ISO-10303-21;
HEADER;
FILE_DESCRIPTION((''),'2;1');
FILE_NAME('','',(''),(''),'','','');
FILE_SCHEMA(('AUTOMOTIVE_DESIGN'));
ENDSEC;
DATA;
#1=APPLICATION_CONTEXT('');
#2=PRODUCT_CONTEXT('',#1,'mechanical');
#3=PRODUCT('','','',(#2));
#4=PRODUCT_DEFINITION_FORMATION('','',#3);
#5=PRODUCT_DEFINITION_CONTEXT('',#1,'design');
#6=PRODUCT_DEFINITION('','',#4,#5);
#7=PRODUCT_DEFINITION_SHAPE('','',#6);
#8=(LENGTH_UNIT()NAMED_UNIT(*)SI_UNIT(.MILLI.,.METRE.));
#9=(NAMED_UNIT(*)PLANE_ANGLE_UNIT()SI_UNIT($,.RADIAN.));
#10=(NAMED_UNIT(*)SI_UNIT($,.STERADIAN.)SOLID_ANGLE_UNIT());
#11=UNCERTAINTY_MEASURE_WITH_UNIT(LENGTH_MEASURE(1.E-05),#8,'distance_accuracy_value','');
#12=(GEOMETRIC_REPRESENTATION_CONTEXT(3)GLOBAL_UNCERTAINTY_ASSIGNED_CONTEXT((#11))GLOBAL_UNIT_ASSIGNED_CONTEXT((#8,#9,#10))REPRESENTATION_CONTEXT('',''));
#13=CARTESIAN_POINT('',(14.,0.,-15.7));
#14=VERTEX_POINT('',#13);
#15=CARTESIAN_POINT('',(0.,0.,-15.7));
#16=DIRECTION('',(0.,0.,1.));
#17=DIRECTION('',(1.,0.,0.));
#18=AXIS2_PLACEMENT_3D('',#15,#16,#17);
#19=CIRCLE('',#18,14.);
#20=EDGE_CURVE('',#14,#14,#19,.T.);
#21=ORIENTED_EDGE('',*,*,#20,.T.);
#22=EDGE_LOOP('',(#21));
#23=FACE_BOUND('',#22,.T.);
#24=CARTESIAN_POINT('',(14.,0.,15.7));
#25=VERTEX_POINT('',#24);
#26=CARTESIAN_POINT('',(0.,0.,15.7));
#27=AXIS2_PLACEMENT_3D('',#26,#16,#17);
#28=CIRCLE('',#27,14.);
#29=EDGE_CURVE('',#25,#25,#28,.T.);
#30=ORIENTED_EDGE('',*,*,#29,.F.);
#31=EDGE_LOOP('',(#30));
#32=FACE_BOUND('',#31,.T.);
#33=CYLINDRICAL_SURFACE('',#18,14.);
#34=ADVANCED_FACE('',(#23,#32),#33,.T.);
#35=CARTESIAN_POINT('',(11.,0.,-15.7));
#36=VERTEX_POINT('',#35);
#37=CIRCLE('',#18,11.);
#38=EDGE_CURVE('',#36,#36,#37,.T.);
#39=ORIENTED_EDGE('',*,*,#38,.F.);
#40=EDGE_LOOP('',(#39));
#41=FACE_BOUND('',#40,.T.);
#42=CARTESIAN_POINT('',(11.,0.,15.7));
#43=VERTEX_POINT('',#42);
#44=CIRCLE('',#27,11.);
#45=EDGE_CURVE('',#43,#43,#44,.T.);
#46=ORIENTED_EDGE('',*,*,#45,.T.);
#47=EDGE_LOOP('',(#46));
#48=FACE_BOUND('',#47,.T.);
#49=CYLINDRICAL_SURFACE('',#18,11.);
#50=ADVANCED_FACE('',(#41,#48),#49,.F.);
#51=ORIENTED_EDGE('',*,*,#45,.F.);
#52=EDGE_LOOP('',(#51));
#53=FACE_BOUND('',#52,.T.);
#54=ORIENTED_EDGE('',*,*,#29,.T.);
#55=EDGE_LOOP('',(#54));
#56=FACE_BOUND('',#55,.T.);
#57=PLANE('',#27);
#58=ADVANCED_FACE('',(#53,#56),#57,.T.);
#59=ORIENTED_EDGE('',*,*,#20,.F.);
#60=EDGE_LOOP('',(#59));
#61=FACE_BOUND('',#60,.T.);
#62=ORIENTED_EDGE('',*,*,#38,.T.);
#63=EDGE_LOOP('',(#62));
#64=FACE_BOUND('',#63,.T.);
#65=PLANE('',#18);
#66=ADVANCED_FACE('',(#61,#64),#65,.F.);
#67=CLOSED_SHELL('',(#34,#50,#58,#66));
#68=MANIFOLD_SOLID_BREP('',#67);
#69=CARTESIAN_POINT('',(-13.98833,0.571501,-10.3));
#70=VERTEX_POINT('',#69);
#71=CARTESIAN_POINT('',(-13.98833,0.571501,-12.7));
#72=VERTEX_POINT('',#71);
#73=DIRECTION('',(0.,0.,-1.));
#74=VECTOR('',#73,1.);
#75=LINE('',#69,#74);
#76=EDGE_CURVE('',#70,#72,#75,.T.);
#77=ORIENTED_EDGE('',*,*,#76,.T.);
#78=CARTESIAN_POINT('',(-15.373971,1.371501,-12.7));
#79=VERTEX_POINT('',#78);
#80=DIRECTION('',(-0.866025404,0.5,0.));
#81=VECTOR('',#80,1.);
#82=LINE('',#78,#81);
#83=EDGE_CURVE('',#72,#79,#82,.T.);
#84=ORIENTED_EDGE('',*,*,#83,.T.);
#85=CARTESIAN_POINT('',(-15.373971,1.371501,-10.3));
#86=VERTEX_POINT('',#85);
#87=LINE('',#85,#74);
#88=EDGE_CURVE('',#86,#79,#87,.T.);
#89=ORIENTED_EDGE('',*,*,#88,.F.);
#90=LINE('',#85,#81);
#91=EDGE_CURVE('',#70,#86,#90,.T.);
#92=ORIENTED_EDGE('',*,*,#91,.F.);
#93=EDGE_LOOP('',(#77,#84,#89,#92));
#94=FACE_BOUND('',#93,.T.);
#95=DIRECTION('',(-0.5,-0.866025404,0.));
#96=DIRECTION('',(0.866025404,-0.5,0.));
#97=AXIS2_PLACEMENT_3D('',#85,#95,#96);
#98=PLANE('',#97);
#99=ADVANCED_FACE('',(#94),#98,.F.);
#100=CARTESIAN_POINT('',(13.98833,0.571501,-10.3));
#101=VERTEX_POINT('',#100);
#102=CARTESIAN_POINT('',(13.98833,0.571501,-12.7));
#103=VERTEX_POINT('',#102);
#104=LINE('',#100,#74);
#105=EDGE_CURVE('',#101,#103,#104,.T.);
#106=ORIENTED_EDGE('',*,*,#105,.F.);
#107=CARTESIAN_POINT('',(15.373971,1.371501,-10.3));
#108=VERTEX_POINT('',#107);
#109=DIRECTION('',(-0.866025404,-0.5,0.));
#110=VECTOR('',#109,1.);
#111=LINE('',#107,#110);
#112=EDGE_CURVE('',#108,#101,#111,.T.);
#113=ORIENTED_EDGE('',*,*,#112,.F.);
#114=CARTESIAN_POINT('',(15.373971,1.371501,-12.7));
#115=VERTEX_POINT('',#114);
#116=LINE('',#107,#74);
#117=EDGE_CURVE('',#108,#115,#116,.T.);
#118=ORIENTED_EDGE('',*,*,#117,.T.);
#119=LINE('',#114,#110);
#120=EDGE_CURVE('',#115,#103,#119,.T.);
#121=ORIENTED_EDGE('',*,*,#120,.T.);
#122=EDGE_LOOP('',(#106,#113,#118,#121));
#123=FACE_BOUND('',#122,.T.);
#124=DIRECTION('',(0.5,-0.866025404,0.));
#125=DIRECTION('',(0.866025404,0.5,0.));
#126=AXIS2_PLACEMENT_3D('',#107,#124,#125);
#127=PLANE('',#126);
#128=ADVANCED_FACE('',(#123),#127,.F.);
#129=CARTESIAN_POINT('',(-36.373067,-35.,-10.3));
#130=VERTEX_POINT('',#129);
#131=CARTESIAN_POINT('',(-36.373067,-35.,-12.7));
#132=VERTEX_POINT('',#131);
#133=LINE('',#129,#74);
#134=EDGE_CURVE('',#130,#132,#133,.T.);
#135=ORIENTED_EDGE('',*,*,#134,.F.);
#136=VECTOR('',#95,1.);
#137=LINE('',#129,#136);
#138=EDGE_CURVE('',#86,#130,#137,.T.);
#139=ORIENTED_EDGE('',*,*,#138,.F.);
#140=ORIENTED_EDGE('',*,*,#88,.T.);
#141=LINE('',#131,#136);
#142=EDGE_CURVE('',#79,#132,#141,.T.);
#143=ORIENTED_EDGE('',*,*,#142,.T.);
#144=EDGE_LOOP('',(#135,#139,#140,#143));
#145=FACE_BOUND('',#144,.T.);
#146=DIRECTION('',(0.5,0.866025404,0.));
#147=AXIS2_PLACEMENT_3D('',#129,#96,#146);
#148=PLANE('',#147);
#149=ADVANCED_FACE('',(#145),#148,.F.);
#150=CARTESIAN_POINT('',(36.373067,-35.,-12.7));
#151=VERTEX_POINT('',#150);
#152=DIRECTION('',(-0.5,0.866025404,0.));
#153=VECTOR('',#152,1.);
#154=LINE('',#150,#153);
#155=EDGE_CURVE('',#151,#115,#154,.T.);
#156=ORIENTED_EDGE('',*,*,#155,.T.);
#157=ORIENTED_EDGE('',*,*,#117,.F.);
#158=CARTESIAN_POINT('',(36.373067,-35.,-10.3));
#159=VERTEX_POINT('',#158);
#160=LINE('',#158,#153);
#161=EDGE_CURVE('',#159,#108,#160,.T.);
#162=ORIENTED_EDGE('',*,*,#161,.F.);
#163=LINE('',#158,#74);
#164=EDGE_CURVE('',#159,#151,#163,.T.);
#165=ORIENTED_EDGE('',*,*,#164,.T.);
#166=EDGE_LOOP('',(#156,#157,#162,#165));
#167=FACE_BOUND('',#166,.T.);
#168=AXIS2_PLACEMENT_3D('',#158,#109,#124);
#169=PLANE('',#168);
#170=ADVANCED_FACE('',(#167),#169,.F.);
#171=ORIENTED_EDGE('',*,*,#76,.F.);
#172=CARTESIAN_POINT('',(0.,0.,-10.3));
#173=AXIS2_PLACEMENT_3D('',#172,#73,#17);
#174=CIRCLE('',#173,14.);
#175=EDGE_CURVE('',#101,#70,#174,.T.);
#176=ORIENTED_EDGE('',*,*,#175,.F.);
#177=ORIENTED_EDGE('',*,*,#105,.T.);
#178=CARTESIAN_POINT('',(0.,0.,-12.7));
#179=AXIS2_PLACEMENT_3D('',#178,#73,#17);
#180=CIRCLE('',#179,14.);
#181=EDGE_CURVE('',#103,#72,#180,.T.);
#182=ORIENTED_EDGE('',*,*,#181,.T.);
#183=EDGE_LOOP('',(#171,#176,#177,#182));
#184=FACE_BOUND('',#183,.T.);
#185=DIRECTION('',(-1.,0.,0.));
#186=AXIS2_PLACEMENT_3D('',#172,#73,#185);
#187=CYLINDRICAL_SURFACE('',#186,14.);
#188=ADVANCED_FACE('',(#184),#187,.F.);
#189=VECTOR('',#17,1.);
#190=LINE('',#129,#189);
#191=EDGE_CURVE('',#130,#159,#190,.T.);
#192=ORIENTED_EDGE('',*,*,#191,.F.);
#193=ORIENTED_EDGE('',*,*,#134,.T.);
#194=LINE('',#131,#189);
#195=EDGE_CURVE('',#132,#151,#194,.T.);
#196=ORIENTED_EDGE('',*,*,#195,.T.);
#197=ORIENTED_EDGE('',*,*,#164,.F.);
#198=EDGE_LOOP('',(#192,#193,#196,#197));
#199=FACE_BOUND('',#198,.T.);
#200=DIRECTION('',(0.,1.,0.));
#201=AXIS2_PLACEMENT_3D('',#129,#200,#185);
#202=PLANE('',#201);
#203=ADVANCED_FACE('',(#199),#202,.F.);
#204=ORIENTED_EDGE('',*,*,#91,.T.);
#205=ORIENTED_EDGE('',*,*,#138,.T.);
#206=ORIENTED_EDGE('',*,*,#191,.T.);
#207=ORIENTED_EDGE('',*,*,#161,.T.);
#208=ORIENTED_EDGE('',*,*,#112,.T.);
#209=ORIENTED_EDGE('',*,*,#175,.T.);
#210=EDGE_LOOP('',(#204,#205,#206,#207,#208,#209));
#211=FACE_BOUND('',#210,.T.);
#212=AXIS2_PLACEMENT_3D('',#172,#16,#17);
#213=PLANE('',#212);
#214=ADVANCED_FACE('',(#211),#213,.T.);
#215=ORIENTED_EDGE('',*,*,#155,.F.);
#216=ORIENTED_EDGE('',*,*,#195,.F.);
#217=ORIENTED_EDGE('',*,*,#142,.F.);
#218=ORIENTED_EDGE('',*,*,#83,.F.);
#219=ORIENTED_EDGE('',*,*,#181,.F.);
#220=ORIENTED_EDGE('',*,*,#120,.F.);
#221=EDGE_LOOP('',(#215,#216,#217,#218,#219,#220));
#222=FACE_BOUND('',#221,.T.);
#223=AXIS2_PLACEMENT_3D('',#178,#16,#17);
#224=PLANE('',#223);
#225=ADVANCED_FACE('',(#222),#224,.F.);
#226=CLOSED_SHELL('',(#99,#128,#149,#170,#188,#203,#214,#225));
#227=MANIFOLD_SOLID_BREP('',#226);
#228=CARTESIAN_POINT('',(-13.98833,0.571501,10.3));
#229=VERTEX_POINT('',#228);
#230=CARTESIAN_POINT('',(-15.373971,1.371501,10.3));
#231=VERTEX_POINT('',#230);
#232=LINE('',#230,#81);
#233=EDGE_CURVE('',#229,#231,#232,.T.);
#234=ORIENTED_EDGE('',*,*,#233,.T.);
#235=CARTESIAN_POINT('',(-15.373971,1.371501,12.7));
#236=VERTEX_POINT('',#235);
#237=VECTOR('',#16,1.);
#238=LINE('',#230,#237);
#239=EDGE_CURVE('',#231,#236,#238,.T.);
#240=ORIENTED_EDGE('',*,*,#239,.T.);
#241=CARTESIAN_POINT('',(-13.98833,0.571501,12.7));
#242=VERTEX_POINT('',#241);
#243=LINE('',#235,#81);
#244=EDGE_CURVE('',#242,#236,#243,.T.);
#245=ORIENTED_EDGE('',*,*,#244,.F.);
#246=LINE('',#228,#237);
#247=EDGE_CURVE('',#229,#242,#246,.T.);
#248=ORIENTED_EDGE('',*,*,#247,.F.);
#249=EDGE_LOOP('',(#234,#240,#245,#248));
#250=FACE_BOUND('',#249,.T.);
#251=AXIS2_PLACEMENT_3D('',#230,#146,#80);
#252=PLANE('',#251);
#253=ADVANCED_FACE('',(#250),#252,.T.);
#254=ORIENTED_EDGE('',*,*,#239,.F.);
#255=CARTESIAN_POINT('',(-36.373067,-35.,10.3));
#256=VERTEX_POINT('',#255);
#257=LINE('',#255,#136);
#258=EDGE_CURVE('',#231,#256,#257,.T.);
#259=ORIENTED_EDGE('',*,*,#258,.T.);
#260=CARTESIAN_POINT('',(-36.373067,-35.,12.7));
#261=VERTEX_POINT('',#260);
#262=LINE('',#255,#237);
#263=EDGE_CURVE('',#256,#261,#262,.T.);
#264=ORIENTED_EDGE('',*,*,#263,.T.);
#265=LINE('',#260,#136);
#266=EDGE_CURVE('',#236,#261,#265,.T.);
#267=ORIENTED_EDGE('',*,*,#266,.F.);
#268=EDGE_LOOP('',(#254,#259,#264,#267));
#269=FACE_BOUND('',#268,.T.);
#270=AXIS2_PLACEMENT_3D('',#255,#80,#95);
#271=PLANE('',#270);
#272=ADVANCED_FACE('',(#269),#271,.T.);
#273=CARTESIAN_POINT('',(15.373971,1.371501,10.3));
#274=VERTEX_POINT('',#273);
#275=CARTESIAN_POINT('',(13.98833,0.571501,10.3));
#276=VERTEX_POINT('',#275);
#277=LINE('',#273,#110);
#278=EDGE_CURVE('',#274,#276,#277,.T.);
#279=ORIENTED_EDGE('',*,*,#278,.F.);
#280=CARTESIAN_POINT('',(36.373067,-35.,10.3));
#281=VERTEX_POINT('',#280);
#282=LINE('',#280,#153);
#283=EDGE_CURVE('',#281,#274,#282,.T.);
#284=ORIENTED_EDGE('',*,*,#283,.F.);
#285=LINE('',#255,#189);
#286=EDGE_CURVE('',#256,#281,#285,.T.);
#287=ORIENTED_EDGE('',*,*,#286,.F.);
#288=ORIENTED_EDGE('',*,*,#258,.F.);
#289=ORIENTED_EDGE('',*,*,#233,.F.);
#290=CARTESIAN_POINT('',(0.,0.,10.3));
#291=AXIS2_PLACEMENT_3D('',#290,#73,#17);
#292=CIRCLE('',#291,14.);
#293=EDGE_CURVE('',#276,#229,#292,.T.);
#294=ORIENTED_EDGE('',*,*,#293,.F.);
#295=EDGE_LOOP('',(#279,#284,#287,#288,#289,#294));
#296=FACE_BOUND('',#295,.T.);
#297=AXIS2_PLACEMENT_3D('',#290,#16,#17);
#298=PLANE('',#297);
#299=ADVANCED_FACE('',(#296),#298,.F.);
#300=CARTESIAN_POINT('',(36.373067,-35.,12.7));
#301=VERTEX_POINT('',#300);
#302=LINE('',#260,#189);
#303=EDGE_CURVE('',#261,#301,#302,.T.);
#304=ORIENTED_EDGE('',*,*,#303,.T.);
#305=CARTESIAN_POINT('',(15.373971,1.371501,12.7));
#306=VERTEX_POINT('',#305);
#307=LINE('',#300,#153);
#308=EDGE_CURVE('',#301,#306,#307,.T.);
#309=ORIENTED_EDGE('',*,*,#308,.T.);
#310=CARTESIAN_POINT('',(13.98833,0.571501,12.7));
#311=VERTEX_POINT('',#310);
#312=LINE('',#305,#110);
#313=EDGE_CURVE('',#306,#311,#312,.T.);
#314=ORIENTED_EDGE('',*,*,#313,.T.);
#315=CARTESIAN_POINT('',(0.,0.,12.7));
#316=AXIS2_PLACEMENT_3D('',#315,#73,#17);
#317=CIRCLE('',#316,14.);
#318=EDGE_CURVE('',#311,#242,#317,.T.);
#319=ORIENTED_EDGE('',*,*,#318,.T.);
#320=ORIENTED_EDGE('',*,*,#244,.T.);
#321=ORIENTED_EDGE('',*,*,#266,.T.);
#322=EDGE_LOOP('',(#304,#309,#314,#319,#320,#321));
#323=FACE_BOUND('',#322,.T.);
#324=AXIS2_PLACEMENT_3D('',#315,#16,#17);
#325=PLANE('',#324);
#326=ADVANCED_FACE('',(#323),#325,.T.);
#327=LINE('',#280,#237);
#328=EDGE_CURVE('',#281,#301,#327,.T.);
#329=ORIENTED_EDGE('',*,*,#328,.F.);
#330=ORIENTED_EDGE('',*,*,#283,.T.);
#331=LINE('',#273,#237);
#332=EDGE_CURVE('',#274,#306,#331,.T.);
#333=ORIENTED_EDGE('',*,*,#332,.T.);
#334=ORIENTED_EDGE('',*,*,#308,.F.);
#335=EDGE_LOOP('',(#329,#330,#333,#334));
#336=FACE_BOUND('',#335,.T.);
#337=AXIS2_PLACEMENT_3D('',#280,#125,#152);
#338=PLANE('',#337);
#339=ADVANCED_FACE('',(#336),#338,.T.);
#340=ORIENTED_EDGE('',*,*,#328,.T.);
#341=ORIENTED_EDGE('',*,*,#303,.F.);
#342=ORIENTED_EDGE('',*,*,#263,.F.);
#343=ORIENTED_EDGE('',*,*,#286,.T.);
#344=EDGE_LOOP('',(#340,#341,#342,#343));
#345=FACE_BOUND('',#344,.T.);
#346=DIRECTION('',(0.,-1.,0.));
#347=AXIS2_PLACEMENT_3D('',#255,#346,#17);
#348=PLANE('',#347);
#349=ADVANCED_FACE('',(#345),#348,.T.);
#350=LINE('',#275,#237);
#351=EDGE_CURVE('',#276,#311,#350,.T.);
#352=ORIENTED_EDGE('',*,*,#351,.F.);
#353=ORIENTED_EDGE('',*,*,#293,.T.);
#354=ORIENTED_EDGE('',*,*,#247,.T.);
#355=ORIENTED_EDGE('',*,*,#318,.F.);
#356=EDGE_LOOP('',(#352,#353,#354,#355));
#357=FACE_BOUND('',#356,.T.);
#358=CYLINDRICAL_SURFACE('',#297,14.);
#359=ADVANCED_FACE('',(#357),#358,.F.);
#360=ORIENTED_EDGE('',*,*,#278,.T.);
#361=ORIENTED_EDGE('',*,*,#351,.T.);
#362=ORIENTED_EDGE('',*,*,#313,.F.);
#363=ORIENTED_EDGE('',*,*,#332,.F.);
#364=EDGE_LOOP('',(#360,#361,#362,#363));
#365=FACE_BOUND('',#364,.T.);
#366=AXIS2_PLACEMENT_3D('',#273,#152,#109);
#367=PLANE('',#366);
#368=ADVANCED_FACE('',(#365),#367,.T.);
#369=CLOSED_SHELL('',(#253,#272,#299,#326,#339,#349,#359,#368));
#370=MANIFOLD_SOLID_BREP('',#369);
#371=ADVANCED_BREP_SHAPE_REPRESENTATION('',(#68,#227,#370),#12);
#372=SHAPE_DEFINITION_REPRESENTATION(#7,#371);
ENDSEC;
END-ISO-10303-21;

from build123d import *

# Parameters (mm, degrees)
SKETCH1_R                = 14
SKETCH1_R_2              = 11
BOSS_EXTRUDE1_DEPTH      = 15.7
BOSS_EXTRUDE1_DEPTH_BACK = 15.7
BOSS_EXTRUDE3_START      = 12.7
BOSS_EXTRUDE3_DEPTH      = 2.4
BOSS_EXTRUDE4_START      = -12.7
BOSS_EXTRUDE4_DEPTH      = 2.4


with BuildPart() as part:
    # Sketch1 → Boss-Extrude1 (new body, two sides)
    with BuildSketch(Plane.XY) as boss_extrude1_sk:
        Circle(SKETCH1_R)
        Circle(SKETCH1_R_2, mode=Mode.SUBTRACT)
    extrude(amount=BOSS_EXTRUDE1_DEPTH)
    extrude(boss_extrude1_sk.sketch, amount=-BOSS_EXTRUDE1_DEPTH_BACK)


with BuildPart() as body_2:
    # Sketch2 → Boss-Extrude3 (new body)
    with BuildSketch(Plane.XY.offset(BOSS_EXTRUDE3_START)):
        with BuildLine():
            Line((-36.373066959, -35), (36.373066959, -35))
            Line((36.373066959, -35), (15.373971015, 1.371501088))
            Line((15.373971015, 1.371501088), (13.988330369, 0.571501088))
            ThreePointArc((13.988330369, 0.571501088), (0, -14), (-13.988330369, 0.571501088))
            Line((-13.988330369, 0.571501088), (-15.373971015, 1.371501088))
            Line((-15.373971015, 1.371501088), (-36.373066959, -35))
        make_face()
    extrude(amount=-BOSS_EXTRUDE3_DEPTH)


with BuildPart() as body_3:
    # Sketch2_2 → Boss-Extrude4 (new body)
    with BuildSketch(Plane.XY.offset(BOSS_EXTRUDE4_START)):
        with BuildLine():
            Line((-36.373066959, -35), (36.373066959, -35))
            Line((36.373066959, -35), (15.373971015, 1.371501088))
            Line((15.373971015, 1.371501088), (13.988330369, 0.571501088))
            ThreePointArc((13.988330369, 0.571501088), (0, -14), (-13.988330369, 0.571501088))
            Line((-13.988330369, 0.571501088), (-15.373971015, 1.371501088))
            Line((-15.373971015, 1.371501088), (-36.373066959, -35))
        make_face()
    extrude(amount=BOSS_EXTRUDE4_DEPTH)


solid = Compound([part.part, body_2.part, body_3.part])
